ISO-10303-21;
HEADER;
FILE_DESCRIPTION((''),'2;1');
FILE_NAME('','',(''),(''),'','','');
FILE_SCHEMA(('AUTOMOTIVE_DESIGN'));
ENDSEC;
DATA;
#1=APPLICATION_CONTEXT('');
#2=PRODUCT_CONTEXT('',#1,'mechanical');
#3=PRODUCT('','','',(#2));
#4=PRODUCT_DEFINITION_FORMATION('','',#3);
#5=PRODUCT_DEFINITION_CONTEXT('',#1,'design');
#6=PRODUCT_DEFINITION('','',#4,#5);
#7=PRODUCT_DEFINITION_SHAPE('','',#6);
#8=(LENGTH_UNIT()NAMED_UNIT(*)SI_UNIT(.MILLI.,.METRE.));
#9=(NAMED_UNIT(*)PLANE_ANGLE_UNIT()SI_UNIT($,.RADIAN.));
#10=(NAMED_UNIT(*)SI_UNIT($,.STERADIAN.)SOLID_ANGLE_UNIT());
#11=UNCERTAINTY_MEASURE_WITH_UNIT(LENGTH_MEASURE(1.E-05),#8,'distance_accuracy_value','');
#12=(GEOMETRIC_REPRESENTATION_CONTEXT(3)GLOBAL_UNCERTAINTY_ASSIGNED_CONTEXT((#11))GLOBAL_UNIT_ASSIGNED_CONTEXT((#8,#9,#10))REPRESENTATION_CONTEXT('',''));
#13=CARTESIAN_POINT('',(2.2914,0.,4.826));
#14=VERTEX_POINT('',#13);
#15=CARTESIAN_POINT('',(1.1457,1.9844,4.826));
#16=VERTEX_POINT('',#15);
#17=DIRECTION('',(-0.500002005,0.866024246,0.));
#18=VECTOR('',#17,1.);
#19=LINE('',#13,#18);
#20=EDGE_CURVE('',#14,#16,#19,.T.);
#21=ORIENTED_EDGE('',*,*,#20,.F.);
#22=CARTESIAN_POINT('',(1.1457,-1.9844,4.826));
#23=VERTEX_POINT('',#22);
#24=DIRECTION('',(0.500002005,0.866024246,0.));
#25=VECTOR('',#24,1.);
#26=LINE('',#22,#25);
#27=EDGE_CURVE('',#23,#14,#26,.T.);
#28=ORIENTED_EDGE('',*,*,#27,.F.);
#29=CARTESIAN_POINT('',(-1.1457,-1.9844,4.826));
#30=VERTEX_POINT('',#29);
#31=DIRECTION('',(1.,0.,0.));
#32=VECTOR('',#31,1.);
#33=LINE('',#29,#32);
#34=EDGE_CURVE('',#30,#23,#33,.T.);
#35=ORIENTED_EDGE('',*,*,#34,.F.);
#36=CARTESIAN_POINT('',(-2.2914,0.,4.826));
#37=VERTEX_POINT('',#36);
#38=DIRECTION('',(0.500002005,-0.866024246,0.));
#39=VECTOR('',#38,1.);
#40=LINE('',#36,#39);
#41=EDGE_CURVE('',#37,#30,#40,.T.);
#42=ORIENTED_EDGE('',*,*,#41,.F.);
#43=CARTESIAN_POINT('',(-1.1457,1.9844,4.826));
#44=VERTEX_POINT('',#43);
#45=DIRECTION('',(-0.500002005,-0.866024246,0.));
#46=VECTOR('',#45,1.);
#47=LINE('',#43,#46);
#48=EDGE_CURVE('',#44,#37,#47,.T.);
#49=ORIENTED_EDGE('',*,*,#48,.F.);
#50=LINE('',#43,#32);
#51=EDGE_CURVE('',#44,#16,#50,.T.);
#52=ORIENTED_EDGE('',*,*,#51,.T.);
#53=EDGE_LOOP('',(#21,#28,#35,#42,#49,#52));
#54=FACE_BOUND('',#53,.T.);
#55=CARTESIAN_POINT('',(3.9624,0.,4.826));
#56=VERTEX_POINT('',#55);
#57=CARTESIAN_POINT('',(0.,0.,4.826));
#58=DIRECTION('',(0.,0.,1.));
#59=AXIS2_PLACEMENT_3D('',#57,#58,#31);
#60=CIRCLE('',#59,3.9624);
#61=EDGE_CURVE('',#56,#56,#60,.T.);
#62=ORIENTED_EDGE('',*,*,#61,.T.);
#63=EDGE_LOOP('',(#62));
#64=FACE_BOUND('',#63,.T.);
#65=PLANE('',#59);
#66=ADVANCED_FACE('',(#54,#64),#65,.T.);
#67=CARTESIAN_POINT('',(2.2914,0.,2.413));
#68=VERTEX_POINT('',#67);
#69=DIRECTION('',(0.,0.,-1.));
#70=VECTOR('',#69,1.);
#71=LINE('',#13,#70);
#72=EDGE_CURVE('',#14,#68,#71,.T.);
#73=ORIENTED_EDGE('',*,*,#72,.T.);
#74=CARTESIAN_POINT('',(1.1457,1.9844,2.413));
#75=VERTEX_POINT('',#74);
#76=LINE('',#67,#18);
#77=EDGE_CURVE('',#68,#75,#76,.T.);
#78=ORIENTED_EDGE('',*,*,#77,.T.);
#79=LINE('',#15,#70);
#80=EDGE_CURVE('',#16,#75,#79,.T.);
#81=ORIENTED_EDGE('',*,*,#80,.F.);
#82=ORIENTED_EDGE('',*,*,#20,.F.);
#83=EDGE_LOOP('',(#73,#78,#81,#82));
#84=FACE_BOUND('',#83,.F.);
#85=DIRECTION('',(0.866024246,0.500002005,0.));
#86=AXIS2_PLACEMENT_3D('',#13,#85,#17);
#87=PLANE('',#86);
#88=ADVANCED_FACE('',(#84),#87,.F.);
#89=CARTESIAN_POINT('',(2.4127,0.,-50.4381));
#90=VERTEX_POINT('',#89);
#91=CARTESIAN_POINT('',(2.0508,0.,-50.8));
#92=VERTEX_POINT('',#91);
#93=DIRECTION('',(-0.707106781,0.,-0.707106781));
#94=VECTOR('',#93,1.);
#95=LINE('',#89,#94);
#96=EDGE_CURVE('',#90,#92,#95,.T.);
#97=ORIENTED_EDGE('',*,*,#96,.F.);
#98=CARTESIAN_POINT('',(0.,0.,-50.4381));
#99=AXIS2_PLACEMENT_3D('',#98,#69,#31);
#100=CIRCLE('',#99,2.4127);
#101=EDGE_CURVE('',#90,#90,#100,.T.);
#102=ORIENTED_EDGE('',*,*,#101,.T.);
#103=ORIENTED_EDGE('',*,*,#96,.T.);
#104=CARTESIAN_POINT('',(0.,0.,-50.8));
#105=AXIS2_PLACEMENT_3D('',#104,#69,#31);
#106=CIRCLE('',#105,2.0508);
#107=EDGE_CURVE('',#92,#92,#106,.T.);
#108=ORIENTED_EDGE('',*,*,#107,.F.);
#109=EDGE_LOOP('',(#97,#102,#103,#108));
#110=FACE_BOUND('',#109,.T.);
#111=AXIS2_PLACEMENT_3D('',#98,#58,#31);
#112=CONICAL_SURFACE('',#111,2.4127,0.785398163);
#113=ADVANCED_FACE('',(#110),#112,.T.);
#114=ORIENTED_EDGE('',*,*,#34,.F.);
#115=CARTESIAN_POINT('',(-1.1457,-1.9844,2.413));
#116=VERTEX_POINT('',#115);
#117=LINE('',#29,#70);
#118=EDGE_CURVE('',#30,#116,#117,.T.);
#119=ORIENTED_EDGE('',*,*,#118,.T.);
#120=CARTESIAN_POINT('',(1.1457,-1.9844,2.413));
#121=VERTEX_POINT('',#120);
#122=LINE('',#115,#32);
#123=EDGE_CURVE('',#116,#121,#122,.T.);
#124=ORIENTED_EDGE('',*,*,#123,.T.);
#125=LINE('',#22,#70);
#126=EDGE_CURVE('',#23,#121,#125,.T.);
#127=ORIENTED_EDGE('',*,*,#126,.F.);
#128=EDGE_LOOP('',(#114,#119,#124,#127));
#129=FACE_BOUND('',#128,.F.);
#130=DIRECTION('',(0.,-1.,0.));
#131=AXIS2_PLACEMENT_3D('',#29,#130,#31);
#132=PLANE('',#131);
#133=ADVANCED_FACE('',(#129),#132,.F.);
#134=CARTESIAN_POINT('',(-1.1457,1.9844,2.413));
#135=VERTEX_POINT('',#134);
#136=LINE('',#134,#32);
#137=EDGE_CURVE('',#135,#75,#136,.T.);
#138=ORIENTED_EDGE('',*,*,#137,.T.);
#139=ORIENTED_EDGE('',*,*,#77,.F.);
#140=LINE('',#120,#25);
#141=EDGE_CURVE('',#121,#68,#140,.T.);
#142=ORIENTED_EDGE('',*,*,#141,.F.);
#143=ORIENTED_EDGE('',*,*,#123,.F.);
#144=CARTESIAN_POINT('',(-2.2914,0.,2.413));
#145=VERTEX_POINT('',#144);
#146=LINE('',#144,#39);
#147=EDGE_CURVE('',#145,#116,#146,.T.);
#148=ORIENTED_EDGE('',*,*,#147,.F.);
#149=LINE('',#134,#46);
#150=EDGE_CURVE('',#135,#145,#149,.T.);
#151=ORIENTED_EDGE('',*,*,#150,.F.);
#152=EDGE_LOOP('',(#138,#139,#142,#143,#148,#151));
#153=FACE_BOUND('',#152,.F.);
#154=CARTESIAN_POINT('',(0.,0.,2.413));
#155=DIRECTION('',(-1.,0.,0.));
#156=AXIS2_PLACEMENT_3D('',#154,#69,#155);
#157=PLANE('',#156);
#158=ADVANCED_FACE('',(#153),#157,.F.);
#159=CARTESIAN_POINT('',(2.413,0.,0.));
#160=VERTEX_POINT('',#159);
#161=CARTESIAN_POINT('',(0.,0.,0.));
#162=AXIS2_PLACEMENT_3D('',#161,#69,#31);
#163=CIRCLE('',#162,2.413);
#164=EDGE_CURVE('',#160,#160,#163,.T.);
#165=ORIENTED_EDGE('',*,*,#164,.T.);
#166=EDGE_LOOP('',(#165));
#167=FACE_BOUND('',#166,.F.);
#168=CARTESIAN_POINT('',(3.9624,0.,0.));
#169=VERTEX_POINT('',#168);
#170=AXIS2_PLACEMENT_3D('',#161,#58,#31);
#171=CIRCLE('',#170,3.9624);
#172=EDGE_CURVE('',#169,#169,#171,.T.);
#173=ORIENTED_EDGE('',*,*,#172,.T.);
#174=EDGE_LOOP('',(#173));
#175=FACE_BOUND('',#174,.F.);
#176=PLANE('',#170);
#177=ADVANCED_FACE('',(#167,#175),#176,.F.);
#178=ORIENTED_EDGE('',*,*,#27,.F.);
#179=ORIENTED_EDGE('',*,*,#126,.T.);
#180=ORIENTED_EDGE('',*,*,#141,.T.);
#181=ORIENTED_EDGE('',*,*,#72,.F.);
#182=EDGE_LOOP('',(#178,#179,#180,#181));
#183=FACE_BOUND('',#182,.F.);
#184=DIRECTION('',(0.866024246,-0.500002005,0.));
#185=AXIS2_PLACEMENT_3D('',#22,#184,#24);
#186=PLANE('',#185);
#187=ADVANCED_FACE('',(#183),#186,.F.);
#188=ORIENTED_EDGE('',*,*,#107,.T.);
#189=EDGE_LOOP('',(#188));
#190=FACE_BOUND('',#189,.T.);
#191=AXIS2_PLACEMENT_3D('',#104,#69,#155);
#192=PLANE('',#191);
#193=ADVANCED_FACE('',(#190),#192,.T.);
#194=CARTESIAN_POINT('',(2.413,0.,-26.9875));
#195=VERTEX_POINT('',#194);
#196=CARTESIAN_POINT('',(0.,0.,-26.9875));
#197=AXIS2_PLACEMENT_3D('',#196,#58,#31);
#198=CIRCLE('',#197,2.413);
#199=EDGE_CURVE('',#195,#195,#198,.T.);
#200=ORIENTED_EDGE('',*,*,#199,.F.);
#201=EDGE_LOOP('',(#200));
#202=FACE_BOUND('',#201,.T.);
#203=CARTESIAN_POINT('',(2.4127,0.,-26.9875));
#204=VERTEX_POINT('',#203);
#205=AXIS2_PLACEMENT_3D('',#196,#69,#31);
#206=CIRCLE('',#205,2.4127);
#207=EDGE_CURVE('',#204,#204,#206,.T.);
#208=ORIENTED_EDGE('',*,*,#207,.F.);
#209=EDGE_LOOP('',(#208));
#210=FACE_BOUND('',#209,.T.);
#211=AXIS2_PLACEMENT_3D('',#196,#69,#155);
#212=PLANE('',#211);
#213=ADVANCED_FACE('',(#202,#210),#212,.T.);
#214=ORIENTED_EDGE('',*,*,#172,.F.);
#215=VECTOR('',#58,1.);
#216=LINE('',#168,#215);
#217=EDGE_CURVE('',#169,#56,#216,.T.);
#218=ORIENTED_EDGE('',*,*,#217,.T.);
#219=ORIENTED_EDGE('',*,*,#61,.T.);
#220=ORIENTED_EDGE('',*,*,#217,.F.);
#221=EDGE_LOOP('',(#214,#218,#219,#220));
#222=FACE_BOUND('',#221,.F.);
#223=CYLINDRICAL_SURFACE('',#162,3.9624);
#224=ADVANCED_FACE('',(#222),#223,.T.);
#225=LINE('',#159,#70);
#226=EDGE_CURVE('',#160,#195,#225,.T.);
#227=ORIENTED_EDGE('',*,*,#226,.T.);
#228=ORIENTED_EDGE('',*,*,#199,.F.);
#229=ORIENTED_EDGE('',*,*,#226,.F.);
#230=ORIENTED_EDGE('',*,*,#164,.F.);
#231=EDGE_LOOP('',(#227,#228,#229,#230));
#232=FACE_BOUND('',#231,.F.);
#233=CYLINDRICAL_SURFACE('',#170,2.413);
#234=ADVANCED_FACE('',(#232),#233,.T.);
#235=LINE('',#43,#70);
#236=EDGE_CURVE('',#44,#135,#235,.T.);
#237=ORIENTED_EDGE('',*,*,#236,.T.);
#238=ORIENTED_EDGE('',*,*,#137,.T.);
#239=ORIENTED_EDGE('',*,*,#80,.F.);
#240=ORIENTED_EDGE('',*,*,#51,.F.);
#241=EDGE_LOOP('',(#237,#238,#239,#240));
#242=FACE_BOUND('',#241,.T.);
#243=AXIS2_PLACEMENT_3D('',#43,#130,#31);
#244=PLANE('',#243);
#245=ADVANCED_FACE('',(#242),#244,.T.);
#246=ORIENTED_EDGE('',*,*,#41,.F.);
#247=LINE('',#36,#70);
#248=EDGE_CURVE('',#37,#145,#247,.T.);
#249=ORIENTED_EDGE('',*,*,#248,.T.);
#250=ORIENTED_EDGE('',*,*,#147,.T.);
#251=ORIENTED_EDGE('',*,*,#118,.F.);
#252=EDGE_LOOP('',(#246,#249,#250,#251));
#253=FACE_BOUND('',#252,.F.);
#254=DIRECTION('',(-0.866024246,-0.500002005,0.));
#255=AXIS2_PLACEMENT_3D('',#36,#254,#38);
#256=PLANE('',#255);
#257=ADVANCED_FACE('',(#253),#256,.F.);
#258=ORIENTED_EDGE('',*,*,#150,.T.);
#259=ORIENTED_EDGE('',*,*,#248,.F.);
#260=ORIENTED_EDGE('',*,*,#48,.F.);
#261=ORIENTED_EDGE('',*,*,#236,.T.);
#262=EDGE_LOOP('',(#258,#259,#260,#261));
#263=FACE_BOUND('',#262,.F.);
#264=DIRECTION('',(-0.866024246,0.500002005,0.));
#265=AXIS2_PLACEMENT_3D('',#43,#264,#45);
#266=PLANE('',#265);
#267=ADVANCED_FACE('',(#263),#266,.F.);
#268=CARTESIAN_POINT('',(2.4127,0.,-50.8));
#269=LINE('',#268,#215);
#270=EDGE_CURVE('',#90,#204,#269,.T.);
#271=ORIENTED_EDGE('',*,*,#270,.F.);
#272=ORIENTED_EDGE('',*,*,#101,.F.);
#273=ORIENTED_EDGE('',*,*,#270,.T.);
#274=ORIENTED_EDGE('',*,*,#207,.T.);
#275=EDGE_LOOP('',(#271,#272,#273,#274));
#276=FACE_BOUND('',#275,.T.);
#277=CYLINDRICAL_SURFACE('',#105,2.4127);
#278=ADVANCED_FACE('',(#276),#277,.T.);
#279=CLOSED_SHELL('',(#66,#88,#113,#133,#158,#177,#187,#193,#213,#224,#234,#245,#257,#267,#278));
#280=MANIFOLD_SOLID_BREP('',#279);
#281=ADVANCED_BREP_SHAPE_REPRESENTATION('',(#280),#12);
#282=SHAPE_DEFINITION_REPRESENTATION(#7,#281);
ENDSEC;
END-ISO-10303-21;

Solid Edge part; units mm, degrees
sketch "Sketch1" plane through (0, 0, 0) normal (0, 0, 1) x (1, 0, 0)
  circle A0 centre (0, 0) radius 3.9624
  dimension "D1" = 7.9248
extrude "Protrusion1" add sketch "Sketch1" along normal blind 4.826
sketch "Sketch2" plane through (0, 0, 0) normal (0, 0, -1) x (1, 0, 0)
  circle A0 centre (0, 0) radius 2.413
extrude "Protrusion2" add sketch "Sketch2" along normal blind 50.8
sketch "Sketch3" plane through (0, 0, -50.8) normal (0, 0, -1) x (1, 0, 0)
  circle A0 centre (0, 0) radius 2.4127
extrude "Cutout1" cut sketch "Sketch3" against normal blind 23.8125 flip side to cut
chamfer "Chamfer_1" distance 0.3619 angle 45 1 edges at (-2.4127, 0, -50.8)
sketch "Sketch4" plane through (0, 0, 4.826) normal (0, 0, 1) x (1, 0, 0)
  line L0 (-1.1457, 1.9844) -> (1.1457, 1.9844)
  line L1 (2.2914, 0) -> (1.1457, 1.9844)
  line L2 (1.1457, -1.9844) -> (2.2914, 0)
  line L3 (-1.1457, -1.9844) -> (1.1457, -1.9844)
  line L4 (-2.2914, 0) -> (-1.1457, -1.9844)
  line L5 (-1.1457, 1.9844) -> (-2.2914, 0)
  dimension "D1" = 3.9688
extrude "Cutout2" cut sketch "Sketch4" against normal blind 2.413
properties part number "24102153"
